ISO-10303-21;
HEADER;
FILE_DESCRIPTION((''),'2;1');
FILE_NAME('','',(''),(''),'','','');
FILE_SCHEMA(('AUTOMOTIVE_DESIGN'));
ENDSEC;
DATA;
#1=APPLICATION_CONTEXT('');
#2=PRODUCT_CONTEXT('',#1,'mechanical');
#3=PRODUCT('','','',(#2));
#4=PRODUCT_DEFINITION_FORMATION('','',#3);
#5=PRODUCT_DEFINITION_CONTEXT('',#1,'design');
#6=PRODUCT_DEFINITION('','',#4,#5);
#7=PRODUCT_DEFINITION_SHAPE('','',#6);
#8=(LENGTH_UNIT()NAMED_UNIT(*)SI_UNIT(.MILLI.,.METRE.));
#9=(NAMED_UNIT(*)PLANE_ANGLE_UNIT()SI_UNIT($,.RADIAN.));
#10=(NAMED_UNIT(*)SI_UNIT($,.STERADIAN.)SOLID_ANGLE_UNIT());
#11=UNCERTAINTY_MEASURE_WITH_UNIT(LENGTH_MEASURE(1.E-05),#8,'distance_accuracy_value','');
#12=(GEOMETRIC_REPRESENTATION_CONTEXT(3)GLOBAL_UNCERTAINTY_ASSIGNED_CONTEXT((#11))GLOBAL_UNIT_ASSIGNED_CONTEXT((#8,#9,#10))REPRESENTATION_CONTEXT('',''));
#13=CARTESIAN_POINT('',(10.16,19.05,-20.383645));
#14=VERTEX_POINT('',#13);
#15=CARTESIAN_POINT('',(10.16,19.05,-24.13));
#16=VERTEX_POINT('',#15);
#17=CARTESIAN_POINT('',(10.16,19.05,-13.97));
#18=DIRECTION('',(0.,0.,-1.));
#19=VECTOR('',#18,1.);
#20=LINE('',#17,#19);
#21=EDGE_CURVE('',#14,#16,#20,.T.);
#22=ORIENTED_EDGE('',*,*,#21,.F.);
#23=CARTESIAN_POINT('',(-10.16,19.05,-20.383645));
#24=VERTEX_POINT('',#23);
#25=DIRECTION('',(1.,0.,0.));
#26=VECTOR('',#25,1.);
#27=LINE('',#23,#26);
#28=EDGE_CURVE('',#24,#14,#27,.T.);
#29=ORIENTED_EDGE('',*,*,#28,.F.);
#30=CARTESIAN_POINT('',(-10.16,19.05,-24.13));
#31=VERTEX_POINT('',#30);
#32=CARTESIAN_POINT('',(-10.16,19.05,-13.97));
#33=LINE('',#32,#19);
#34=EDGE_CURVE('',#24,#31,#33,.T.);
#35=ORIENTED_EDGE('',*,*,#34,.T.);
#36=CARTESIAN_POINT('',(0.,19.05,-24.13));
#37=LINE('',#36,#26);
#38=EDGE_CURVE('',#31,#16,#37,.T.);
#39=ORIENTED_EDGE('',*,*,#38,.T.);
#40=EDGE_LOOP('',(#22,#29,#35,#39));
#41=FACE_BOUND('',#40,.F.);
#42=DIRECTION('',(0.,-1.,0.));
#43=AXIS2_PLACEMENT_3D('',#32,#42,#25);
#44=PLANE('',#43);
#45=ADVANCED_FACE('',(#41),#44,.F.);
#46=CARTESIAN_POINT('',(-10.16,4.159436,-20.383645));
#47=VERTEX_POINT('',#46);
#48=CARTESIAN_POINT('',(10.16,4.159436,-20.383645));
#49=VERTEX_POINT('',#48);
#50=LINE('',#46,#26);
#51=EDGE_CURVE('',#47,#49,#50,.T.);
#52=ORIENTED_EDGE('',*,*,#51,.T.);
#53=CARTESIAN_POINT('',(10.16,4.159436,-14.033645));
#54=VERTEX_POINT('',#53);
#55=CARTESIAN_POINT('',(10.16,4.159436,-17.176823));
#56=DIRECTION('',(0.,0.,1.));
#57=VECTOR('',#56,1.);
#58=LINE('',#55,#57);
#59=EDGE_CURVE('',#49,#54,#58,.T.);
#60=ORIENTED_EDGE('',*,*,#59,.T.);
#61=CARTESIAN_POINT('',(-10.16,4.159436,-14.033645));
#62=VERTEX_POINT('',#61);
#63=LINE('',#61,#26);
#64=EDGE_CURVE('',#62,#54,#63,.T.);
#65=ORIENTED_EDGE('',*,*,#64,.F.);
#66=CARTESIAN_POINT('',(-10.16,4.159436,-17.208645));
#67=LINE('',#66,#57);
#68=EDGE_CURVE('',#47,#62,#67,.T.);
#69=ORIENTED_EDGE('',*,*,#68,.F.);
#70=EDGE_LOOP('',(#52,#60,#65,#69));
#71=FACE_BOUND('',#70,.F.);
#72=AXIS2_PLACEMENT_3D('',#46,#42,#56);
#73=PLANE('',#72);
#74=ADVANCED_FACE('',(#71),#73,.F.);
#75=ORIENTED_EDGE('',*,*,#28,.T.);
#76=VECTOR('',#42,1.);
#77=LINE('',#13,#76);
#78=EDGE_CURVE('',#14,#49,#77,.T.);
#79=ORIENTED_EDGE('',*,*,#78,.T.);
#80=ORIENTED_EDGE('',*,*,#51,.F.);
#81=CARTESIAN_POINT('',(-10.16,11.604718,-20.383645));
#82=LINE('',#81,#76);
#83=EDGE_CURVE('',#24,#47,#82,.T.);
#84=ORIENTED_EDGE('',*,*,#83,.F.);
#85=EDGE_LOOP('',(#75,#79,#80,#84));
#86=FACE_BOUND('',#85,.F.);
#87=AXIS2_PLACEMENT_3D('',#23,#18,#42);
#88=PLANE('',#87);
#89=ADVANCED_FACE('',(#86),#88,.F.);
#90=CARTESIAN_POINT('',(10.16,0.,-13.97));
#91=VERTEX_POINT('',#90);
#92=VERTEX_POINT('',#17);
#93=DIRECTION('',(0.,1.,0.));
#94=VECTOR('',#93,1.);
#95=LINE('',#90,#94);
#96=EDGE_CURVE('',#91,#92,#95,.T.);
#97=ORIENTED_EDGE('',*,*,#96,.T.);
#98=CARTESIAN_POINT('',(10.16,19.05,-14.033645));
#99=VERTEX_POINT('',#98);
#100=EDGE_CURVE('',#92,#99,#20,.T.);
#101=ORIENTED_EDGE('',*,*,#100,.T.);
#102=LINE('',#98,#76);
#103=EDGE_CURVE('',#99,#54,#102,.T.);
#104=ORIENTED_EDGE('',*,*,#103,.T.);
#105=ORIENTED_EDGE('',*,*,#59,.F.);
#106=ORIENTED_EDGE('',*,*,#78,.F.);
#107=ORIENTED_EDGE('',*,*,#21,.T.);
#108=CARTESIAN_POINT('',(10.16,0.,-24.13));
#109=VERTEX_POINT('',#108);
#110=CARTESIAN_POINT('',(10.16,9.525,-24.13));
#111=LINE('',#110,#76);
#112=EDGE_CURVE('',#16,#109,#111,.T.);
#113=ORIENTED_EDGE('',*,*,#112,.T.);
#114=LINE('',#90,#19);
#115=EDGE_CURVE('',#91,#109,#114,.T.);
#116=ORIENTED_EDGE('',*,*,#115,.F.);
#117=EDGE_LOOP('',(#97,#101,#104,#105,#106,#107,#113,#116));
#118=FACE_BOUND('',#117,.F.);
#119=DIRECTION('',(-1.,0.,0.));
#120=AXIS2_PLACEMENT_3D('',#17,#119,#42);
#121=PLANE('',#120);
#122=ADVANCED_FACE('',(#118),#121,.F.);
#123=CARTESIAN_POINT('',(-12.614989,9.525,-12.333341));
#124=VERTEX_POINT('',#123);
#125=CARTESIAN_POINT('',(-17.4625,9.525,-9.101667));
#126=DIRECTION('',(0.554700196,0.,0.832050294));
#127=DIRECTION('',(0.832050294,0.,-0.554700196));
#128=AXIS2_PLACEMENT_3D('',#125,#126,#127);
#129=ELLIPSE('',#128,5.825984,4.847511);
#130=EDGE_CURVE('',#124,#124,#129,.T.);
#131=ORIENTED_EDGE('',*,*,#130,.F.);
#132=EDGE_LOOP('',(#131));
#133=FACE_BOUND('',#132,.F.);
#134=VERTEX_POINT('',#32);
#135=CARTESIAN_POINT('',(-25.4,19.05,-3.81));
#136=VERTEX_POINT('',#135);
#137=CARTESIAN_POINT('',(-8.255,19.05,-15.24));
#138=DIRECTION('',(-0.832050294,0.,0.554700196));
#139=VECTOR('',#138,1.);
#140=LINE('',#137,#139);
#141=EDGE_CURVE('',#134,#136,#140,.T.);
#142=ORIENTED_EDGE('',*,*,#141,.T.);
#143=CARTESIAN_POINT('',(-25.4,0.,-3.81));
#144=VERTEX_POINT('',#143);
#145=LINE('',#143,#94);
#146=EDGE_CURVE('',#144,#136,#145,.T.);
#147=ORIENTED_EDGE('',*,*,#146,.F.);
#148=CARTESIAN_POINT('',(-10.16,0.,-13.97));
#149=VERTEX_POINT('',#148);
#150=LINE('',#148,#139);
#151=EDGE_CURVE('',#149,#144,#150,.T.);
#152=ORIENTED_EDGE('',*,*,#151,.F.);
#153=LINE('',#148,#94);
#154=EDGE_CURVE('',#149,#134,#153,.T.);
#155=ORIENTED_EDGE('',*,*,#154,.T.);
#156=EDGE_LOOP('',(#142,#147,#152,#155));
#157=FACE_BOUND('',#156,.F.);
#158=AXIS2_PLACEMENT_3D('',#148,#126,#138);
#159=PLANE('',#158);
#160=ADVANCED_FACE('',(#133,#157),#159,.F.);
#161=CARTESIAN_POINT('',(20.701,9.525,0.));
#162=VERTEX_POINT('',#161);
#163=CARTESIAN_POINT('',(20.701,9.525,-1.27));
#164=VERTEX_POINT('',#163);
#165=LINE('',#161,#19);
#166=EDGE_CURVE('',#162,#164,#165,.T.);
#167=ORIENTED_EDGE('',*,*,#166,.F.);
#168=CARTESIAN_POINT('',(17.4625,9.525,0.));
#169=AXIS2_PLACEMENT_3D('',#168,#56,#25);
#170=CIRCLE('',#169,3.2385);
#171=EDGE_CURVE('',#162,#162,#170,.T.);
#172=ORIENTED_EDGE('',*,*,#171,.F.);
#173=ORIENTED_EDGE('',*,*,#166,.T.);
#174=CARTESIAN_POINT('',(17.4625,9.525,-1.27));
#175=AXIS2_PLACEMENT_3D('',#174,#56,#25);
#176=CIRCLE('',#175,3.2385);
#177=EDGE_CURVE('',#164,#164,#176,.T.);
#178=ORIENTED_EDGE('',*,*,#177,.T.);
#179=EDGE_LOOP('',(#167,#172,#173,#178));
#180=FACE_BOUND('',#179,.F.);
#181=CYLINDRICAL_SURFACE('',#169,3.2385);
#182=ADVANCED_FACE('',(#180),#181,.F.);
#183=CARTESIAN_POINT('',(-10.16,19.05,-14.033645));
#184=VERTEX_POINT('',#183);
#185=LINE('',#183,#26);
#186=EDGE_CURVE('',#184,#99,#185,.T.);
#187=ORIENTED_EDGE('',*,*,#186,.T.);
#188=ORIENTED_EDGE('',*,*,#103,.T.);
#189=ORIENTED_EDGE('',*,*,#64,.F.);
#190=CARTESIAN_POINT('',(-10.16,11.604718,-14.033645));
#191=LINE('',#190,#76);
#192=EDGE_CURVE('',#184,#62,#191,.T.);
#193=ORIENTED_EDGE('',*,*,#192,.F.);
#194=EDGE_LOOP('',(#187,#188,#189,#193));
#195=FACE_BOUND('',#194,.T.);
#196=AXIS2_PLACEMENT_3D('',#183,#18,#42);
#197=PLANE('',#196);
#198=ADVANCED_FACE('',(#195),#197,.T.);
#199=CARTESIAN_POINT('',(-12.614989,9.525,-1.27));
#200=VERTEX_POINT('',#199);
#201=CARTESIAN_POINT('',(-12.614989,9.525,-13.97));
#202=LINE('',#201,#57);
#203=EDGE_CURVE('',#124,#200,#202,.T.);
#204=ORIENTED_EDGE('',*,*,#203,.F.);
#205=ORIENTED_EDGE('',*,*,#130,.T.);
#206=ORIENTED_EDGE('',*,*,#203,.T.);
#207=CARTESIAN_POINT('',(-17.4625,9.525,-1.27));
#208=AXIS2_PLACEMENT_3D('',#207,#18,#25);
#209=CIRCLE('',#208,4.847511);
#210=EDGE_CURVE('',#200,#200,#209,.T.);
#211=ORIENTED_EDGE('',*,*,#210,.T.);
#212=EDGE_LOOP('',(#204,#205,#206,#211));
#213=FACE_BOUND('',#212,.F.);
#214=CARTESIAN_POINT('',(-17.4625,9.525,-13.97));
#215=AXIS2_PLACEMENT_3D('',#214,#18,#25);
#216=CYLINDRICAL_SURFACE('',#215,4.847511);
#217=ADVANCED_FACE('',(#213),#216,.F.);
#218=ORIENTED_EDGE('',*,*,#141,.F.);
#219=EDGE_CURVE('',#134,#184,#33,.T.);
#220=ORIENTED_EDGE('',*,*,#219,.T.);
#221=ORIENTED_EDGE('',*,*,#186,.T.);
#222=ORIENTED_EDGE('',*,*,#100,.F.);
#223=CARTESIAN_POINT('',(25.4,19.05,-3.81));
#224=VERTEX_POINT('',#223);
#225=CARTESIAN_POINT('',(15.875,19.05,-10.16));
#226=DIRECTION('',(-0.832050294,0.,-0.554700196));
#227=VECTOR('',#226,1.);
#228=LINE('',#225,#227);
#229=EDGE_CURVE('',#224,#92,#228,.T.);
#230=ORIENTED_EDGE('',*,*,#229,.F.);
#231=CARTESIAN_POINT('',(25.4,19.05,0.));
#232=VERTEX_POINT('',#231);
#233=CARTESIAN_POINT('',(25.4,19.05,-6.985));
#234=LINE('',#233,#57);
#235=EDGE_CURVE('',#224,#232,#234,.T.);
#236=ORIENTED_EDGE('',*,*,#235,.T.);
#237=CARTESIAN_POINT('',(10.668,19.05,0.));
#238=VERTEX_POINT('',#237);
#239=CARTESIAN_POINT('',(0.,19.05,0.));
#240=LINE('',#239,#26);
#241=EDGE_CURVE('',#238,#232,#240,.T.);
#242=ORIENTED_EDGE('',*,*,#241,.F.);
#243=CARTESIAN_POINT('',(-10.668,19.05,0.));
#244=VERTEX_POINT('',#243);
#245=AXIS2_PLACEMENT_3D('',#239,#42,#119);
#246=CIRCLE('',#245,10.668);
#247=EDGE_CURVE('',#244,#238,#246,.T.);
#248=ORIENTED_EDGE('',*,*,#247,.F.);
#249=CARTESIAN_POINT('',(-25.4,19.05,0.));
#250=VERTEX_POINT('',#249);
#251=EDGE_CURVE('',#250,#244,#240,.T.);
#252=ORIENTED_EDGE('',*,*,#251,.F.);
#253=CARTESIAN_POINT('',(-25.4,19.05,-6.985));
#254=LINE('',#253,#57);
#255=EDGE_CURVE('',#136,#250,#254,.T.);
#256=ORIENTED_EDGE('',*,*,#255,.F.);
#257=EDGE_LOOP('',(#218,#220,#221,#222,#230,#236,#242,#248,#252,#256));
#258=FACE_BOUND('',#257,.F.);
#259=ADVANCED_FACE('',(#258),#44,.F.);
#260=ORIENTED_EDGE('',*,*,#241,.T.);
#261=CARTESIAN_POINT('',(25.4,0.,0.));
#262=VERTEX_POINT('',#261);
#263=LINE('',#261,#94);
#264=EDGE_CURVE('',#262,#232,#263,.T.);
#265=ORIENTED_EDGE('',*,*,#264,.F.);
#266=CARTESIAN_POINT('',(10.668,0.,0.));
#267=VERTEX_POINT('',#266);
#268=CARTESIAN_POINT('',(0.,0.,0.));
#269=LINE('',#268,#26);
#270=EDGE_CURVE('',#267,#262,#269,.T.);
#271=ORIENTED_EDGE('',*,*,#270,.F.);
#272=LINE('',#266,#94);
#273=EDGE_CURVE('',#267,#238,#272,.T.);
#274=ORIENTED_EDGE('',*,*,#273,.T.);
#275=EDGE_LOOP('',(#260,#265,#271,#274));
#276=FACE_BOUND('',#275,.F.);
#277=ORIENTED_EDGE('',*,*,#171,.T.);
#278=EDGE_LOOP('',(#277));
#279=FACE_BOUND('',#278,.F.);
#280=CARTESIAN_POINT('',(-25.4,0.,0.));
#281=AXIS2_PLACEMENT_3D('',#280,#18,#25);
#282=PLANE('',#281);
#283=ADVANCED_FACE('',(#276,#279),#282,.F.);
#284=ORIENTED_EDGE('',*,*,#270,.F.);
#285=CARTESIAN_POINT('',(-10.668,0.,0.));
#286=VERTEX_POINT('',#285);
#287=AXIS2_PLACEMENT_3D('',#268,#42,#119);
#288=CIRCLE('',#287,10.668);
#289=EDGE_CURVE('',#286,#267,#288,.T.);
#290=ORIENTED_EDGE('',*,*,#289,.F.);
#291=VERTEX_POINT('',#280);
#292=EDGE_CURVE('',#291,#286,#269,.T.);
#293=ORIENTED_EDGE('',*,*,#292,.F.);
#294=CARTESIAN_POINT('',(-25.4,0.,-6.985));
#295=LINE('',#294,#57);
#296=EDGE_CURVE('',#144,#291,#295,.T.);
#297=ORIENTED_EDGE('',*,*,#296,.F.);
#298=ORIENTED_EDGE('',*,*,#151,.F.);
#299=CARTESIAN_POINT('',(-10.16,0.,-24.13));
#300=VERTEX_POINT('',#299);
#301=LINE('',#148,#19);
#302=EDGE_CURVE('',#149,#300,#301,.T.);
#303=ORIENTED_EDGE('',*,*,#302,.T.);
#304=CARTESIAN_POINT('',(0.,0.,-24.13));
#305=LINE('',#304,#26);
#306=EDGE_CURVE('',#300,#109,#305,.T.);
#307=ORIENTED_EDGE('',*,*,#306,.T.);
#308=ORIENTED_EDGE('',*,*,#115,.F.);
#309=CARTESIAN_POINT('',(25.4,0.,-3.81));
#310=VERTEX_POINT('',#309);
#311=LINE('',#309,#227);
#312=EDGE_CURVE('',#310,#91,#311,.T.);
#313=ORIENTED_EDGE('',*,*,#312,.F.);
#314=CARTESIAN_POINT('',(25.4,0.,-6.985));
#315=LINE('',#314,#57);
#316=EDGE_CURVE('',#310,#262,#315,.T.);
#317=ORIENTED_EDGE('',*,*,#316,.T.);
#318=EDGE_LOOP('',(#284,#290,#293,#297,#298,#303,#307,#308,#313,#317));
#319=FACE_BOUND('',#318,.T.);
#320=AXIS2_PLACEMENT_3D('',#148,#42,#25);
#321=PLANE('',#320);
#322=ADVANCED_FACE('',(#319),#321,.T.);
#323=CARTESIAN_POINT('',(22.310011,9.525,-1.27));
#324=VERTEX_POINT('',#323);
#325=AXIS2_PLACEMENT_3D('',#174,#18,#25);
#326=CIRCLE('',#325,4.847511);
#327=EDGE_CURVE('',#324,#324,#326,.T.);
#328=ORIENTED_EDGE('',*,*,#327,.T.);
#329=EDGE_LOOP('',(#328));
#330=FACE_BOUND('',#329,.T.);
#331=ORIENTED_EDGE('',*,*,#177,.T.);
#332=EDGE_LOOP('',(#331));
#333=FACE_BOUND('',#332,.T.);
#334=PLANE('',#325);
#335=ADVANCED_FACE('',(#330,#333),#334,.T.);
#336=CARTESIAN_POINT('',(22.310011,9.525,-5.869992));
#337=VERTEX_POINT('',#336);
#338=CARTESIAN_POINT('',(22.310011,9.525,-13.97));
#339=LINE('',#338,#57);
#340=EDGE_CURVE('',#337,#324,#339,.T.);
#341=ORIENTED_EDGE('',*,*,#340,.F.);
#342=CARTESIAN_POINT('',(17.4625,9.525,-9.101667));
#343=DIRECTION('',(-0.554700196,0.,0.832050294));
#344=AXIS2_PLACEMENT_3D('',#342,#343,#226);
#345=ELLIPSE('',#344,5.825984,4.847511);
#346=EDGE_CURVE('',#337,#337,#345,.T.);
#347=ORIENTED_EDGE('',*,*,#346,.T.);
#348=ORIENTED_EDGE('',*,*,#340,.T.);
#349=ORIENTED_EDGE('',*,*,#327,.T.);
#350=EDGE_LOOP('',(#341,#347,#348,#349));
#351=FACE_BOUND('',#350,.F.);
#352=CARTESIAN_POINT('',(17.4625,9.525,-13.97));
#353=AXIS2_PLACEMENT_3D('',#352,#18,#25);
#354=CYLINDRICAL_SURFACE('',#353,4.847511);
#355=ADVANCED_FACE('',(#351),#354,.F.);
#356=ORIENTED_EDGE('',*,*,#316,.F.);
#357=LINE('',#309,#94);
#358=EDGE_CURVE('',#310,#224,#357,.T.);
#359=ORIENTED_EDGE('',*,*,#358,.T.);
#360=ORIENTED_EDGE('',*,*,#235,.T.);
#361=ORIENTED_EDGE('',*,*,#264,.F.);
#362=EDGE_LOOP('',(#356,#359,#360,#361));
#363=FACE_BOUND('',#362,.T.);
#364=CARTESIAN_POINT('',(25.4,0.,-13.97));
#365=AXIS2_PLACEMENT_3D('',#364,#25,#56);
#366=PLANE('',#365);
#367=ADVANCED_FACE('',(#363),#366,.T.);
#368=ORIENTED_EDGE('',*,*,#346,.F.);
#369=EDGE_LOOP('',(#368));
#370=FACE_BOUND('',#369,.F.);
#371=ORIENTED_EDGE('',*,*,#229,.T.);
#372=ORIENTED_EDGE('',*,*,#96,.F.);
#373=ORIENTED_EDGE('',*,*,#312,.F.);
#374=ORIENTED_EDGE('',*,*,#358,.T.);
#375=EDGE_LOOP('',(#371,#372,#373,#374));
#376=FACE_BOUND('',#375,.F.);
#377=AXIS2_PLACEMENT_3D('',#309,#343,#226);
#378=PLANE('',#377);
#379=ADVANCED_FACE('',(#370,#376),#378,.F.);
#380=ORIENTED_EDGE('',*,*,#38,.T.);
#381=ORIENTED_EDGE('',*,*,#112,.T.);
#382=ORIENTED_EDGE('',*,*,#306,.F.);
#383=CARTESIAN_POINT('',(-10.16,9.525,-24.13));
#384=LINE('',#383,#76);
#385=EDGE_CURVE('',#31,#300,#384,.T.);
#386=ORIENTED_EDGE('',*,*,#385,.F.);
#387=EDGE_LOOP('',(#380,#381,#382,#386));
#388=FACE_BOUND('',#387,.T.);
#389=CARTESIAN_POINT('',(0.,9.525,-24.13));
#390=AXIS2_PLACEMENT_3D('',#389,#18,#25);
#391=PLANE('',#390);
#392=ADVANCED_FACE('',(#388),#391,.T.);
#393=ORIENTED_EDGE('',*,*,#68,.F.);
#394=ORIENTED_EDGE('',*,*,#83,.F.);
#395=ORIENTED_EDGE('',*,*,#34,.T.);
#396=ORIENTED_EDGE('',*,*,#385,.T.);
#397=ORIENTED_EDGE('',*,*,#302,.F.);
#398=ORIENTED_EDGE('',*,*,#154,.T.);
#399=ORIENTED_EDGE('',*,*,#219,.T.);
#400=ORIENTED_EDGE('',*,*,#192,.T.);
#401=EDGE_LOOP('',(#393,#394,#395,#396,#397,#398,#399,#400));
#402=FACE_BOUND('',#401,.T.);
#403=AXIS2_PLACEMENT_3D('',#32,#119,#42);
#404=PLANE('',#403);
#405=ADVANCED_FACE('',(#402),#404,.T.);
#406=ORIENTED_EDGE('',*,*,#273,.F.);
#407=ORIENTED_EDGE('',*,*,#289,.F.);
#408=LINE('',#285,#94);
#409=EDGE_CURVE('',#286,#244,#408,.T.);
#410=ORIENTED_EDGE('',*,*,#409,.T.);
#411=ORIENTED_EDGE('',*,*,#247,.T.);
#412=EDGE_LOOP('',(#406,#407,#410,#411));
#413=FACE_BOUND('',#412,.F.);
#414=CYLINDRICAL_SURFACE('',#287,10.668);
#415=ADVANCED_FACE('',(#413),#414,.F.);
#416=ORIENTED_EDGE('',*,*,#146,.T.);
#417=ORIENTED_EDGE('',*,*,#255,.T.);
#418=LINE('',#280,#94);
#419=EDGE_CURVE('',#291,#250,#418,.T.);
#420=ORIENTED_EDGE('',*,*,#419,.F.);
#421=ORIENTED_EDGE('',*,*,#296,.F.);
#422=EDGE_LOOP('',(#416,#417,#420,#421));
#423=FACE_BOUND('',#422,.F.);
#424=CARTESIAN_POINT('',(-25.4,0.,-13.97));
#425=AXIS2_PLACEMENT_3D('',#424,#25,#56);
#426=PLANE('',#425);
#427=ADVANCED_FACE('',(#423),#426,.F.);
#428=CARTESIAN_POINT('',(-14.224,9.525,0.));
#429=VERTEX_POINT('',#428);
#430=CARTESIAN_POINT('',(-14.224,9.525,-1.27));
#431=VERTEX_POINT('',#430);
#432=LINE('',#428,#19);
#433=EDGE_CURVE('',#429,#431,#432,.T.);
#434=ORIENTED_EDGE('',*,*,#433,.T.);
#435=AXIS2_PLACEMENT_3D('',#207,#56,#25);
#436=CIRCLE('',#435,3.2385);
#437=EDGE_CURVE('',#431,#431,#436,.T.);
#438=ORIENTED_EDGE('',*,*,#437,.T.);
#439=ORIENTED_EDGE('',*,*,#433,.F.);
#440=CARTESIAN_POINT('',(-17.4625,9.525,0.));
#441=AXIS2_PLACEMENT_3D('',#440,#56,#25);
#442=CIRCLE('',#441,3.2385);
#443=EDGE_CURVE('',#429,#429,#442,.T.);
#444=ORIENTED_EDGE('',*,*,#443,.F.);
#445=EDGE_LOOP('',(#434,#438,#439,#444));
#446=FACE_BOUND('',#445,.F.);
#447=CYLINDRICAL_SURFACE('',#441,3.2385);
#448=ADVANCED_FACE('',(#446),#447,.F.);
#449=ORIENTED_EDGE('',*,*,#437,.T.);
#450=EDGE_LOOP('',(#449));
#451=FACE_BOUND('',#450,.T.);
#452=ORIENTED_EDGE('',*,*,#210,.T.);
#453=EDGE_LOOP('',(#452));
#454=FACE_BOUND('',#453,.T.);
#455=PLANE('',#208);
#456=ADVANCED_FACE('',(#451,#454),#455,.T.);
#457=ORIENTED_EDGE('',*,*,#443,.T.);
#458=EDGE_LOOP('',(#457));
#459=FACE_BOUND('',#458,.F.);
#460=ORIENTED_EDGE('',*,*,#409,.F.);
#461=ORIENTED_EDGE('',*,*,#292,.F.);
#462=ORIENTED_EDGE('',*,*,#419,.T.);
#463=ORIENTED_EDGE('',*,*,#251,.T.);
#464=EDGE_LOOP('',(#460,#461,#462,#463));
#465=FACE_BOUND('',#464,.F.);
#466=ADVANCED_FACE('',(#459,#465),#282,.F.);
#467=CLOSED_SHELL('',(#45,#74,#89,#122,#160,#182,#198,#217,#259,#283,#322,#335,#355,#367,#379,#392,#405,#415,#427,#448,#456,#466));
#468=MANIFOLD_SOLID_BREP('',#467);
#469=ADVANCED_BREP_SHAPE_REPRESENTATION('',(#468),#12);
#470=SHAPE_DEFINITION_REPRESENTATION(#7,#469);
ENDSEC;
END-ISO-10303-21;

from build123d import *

# Parameters (mm, degrees)
F0_W      = 50.8
F0_H      = 13.97
F1_DEPTH  = 19.05
F3_DEPTH  = 19.05
F5_DEPTH  = 25.4
F6_R      = 3.2385
F7_DEPTH  = 25.4
F8_R      = 4.8475114841
F9_DEPTH  = 12.7
F10_W     = 20.32
F10_H     = 19.05
F11_DEPTH = 10.16
F12_W     = 14.8905639175
F12_H     = 6.35
F13_DEPTH = 25.4


with BuildPart() as f1:
    # F0 (on Front) → F1 (new body)
    with BuildSketch(Plane.XZ):
        with Locations((0, -6.985)):
            Rectangle(F0_W, F0_H)
    extrude(amount=-F1_DEPTH)

    # F2 (on face) → F3 (cut)
    with BuildSketch(Plane.XZ):
        with BuildLine():
            ThreePointArc((-10.668, 0), (0, -10.668), (10.668, 0))
            Line((10.668, 0), (-10.668, 0))
        make_face()
    extrude(amount=-F3_DEPTH, mode=Mode.SUBTRACT)

    # F4 (on face) → F5 (cut)
    with BuildSketch(Plane.XZ):
        Polygon((-25.4, -3.81), (-25.4, -13.97), (-10.16, -13.97), align=None)
        Polygon((25.4, -13.97), (25.4, -3.81), (10.16, -13.97), align=None)
    extrude(amount=-F5_DEPTH, mode=Mode.SUBTRACT)

    # F6 (on face) → F7 (cut)
    with BuildSketch(Plane.XY):
        with Locations((-17.4625, 9.525)):
            Circle(F6_R)
        with Locations((17.4625, 9.525)):
            Circle(F6_R)
    extrude(amount=-F7_DEPTH, mode=Mode.SUBTRACT)

    # F8 (on face) → F9 (cut)
    with BuildSketch(Plane(origin=(0, 0, -13.97), x_dir=(1, 0, 0), z_dir=(0, 0, -1))):
        with Locations((-17.4625, -9.525)):
            Circle(F8_R)
        with Locations((17.4625, -9.525)):
            Circle(F8_R)
    extrude(amount=-F9_DEPTH, mode=Mode.SUBTRACT)

    # F10 (on face) → F11 (join)
    with BuildSketch(Plane(origin=(0, 0, -13.97), x_dir=(1, 0, 0), z_dir=(0, 0, -1))):
        with Locations((0, -9.525)):
            Rectangle(F10_W, F10_H)
    extrude(amount=F11_DEPTH)

    # F12 (on face) → F13 (cut)
    with BuildSketch(Plane(origin=(-10.16, 0, 0), x_dir=(0, -1, 0), z_dir=(-1, 0, 0))):
        with Locations((-11.6047180412, -17.2086453915)):
            Rectangle(F12_W, F12_H)
    extrude(amount=-F13_DEPTH, mode=Mode.SUBTRACT)


solid = f1.part
